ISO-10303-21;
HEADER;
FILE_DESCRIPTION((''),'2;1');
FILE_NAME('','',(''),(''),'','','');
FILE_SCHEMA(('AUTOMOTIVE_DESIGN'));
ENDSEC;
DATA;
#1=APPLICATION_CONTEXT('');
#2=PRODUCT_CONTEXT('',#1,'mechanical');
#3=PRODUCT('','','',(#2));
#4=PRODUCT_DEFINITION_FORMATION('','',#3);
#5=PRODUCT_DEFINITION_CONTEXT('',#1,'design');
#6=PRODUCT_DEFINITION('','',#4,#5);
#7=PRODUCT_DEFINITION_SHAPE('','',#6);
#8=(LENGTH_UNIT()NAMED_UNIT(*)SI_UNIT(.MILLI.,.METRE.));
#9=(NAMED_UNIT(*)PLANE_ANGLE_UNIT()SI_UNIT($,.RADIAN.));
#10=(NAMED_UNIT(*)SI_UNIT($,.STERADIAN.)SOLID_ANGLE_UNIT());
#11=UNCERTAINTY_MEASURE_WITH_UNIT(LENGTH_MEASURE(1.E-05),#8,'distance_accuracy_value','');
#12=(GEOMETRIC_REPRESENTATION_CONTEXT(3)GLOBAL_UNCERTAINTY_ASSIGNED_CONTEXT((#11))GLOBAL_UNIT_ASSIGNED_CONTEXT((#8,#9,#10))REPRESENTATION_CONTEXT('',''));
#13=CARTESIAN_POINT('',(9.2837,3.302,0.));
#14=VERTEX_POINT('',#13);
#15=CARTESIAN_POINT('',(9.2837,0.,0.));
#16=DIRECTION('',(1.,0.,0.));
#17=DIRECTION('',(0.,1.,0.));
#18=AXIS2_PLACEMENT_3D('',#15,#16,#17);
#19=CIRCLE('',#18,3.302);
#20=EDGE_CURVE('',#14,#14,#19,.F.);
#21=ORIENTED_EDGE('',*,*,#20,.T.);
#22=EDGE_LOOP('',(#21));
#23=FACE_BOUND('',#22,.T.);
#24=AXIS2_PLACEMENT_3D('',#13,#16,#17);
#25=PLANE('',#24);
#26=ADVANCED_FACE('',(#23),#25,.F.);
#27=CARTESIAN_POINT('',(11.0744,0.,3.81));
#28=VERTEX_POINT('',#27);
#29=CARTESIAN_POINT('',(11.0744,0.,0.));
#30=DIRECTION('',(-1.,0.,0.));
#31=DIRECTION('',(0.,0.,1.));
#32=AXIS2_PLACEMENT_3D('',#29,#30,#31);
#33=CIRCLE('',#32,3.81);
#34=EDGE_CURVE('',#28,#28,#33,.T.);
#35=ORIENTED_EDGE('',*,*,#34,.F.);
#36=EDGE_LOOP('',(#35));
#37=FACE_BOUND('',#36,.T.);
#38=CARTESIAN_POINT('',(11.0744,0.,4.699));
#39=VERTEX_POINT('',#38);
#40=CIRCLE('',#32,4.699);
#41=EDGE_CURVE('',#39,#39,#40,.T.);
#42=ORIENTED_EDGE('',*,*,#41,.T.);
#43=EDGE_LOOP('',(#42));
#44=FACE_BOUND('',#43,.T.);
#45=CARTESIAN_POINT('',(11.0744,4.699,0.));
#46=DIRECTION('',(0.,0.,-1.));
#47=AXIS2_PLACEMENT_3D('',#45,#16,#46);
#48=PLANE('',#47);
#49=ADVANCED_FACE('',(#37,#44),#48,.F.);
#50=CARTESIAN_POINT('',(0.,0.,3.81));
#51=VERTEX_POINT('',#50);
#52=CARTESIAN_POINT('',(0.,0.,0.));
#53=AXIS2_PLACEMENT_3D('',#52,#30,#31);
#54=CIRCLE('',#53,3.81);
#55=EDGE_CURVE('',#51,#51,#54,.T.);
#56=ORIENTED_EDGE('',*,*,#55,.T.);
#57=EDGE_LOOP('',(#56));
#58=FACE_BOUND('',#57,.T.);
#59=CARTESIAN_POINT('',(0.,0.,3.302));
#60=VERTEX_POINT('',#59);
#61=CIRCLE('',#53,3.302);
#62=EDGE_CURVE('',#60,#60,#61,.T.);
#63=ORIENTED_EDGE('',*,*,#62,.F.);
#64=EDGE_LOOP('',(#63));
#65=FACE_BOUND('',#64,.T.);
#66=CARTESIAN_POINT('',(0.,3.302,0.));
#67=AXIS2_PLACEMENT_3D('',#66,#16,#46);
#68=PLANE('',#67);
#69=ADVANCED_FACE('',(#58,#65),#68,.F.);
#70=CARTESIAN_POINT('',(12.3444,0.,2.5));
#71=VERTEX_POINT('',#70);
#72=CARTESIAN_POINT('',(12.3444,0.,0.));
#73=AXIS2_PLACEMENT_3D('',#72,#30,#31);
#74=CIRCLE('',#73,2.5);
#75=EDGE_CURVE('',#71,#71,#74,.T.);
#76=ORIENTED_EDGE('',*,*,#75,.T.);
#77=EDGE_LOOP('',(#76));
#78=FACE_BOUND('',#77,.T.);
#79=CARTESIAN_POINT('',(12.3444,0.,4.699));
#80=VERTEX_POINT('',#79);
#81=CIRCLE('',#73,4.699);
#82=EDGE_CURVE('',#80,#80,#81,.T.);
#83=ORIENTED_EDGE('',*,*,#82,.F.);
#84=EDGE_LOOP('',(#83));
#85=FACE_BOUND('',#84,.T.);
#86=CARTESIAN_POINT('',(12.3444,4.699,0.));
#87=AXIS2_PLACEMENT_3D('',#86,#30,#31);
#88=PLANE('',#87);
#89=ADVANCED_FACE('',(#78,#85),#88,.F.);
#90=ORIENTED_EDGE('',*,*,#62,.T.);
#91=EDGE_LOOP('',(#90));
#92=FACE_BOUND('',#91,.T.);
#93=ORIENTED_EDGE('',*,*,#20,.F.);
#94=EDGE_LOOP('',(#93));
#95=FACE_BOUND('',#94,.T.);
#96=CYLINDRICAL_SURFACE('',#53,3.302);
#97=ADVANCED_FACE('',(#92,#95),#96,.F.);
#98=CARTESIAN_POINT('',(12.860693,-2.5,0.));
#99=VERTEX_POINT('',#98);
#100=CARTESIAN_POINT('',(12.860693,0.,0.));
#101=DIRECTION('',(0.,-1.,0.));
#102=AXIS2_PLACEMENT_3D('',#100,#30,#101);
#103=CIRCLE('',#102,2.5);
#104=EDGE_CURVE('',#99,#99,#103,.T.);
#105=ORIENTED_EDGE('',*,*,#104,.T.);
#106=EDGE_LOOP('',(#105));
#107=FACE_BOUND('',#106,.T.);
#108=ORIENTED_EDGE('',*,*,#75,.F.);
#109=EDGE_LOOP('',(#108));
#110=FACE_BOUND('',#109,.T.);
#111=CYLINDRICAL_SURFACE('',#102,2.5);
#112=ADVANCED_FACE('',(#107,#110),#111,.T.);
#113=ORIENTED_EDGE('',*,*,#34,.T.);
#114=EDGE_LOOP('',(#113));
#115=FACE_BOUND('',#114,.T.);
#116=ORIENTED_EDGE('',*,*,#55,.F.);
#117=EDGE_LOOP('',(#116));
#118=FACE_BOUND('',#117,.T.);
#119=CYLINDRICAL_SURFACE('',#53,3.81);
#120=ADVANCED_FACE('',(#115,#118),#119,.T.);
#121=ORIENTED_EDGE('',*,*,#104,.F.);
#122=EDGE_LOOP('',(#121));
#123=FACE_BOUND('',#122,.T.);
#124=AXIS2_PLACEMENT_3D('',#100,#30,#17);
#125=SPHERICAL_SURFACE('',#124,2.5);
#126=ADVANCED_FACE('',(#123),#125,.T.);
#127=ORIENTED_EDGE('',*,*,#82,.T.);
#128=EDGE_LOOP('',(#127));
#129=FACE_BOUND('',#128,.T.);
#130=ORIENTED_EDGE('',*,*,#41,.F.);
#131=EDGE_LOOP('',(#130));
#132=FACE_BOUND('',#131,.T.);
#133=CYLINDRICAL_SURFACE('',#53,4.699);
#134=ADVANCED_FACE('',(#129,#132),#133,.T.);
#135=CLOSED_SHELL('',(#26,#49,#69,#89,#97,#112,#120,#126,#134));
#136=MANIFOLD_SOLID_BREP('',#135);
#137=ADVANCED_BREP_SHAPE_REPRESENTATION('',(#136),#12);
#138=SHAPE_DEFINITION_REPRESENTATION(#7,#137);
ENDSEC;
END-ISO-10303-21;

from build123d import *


with BuildPart() as part:
    # Sketch1 → Revolve1 (revolve)
    with BuildSketch(Plane.XY):
        Polygon((12.3444, 4.699), (11.0744, 4.699), (11.0744, 3.81), (0, 3.81), (0, 3.302), (10.16, 3.302), (10.16, 2.5), (12.3444, 2.5), align=None)
    revolve(axis=Axis((0, 0, 0), (1, 0, 0)))

    # Sketch7 → Revolve4 (revolve)
    with BuildSketch(Plane.XY):
        with BuildLine():
            Line((10.16, 3.302), (9.2837, 3.302))
            Line((9.2837, 3.302), (9.2837, 0))
            Line((9.2837, 0), (12.86069262, 0))
            Line((12.86069262, 0), (15.36069262, 0))
            ThreePointArc((15.36069262, 0), (14.628459573, 1.767766953), (12.86069262, 2.5))
            Line((12.86069262, 2.5), (10.16, 2.5))
            Line((10.16, 2.5), (10.16, 3.302))
        make_face()
    revolve(axis=Axis((12.86069262, 0, 0), (1, 0, 0)))


solid = part.part
